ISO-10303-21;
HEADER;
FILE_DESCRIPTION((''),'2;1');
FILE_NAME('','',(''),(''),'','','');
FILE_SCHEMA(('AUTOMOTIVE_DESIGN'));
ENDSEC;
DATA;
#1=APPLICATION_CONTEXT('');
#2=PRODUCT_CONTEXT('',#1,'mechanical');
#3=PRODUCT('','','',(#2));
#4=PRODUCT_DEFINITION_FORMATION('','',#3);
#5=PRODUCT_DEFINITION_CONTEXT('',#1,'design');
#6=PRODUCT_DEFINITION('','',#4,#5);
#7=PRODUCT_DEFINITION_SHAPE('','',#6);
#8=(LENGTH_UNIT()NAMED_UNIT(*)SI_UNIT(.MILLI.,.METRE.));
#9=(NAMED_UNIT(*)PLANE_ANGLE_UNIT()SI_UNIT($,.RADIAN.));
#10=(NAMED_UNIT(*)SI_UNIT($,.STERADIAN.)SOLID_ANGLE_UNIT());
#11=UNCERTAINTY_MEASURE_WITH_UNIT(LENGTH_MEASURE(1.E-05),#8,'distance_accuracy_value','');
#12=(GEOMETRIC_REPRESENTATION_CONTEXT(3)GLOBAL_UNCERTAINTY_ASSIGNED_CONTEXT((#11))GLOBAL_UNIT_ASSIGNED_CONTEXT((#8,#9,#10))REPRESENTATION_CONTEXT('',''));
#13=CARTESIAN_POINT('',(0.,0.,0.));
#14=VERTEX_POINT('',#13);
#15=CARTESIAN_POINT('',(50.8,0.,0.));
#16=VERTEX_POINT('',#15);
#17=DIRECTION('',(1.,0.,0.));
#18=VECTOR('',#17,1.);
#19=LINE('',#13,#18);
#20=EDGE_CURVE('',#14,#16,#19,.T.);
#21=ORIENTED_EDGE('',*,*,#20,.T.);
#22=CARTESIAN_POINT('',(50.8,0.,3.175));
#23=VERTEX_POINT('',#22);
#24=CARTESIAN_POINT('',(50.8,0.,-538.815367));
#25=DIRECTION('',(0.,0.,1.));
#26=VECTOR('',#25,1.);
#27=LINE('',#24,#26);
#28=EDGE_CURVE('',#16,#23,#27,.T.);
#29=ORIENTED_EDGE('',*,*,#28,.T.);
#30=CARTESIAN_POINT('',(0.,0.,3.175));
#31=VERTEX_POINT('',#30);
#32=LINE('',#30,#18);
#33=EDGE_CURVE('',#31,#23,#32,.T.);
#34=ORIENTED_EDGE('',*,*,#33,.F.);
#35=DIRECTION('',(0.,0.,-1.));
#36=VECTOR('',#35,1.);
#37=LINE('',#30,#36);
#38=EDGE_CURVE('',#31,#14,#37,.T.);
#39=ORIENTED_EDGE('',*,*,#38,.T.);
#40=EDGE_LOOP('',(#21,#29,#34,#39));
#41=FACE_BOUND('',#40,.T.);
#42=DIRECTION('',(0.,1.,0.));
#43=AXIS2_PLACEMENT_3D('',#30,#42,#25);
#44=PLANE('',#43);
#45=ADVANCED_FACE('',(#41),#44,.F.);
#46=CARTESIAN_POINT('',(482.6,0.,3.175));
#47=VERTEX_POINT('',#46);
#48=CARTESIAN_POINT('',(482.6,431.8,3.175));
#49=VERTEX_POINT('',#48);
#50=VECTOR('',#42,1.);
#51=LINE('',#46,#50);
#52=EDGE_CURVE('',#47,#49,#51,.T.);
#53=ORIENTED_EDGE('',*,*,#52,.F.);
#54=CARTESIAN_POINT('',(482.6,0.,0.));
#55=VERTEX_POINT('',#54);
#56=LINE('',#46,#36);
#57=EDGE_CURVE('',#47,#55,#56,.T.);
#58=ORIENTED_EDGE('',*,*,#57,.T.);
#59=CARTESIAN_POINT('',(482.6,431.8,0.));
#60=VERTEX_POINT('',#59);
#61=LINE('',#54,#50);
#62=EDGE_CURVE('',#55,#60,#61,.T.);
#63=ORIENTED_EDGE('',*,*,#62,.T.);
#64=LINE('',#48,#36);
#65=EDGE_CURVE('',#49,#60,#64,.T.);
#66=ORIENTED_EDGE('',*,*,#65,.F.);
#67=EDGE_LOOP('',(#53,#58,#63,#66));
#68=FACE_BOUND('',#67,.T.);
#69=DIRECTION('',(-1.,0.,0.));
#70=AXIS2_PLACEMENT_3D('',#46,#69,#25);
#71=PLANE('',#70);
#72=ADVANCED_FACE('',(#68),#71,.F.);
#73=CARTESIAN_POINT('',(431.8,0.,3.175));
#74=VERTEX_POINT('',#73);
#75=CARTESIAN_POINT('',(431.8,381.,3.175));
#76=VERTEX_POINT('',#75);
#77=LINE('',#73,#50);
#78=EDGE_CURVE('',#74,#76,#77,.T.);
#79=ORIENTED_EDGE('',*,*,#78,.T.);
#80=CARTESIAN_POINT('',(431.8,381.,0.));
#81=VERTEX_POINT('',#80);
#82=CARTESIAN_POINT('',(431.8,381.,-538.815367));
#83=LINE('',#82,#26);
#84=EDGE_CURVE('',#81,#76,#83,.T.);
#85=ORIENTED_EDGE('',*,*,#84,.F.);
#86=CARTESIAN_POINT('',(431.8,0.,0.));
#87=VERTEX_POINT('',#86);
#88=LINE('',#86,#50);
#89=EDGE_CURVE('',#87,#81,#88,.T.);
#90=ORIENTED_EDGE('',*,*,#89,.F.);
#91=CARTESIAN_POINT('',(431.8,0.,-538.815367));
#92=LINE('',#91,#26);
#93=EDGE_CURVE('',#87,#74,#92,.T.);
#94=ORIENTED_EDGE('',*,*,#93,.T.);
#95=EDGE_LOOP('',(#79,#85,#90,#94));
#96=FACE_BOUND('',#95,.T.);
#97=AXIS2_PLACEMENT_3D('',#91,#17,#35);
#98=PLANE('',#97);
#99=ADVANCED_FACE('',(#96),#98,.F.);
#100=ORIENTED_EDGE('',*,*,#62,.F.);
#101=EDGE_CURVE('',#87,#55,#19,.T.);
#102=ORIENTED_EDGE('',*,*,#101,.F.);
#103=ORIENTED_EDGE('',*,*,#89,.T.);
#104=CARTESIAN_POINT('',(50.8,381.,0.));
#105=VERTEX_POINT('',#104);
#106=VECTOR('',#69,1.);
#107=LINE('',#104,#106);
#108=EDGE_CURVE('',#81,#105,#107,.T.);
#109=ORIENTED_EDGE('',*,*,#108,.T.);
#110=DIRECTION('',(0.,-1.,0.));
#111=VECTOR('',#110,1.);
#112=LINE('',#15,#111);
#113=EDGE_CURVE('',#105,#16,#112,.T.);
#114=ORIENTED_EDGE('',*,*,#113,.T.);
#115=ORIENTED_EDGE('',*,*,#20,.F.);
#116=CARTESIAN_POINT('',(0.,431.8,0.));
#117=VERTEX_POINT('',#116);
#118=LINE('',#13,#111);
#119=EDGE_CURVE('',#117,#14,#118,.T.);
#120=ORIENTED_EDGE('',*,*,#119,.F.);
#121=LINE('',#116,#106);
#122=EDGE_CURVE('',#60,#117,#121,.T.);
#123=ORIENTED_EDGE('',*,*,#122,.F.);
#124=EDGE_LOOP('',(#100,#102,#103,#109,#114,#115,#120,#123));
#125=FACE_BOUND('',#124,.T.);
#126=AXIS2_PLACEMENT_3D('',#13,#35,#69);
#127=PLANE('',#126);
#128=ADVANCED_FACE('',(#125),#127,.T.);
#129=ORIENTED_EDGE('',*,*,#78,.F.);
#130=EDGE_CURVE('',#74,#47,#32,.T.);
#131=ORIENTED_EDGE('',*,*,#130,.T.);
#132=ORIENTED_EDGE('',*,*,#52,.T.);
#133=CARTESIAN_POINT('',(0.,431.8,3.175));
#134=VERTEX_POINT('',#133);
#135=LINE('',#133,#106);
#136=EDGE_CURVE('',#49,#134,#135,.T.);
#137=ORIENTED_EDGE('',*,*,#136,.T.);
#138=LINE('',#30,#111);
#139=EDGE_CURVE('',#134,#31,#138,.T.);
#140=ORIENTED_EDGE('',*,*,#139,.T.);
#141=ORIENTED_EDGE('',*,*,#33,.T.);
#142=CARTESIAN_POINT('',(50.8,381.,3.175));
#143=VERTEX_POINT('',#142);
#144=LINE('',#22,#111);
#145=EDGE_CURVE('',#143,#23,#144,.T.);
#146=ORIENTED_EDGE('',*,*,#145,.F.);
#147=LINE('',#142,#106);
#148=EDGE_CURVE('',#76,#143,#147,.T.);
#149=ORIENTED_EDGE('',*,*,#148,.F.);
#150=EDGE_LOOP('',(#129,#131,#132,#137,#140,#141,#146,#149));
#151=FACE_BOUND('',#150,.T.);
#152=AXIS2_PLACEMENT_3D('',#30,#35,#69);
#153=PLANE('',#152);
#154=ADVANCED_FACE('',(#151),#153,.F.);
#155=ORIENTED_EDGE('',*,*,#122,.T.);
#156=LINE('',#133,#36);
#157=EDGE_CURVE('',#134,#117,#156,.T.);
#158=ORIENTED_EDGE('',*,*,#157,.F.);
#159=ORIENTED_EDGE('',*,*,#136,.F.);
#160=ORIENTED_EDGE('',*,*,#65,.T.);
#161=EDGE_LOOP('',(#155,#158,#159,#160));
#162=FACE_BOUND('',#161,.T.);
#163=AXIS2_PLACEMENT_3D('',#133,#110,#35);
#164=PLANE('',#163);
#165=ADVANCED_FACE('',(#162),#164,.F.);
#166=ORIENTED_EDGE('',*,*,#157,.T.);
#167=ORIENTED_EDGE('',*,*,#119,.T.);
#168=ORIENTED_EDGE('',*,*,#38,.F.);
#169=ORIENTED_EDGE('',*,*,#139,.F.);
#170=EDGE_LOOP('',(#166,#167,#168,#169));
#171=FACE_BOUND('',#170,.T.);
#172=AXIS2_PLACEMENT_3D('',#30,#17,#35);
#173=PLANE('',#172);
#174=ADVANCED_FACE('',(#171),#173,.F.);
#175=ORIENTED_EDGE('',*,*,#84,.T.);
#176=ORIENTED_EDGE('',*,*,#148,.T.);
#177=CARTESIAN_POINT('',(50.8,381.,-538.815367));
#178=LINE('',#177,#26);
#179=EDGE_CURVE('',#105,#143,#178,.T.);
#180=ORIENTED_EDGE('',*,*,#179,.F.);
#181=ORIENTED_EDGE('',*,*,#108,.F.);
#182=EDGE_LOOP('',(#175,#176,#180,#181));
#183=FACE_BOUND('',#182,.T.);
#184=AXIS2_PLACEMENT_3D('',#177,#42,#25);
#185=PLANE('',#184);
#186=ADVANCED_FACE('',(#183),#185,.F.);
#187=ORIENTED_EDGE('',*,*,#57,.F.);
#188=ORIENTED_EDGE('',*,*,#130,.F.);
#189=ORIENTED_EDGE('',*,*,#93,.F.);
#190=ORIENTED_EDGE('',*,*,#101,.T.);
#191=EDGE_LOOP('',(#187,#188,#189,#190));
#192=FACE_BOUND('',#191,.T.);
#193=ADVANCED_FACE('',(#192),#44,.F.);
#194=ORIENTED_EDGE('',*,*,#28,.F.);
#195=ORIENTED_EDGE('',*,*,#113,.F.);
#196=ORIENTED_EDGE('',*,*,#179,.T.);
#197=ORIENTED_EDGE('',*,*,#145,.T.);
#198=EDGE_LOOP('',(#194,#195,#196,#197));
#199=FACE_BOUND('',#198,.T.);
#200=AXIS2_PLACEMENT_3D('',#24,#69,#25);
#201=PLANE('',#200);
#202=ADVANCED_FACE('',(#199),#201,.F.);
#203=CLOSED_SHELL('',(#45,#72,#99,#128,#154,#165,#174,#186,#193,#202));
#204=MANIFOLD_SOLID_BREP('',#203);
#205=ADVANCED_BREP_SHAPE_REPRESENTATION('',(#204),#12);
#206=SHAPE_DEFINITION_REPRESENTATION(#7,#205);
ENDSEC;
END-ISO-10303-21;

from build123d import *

# Parameters (mm, degrees)
SKETCH1_W           = 482.6
SKETCH1_H           = 431.8
BOSS_EXTRUDE1_DEPTH = 3.175
SKETCH2_W           = 381
SKETCH2_H           = 381
CUT_EXTRUDE1_DEPTH  = 3.175


with BuildPart() as part:
    # Sketch1 → Boss-Extrude1 (new body)
    with BuildSketch(Plane.XY):
        with Locations((241.3, 215.9)):
            Rectangle(SKETCH1_W, SKETCH1_H)
    extrude(amount=BOSS_EXTRUDE1_DEPTH)

    # Sketch2 → Cut-Extrude1 (cut)
    with BuildSketch(Plane.XY.offset(3.175)):
        with Locations((241.3, 190.5)):
            Rectangle(SKETCH2_W, SKETCH2_H)
    extrude(amount=-CUT_EXTRUDE1_DEPTH, mode=Mode.SUBTRACT)


solid = part.part
